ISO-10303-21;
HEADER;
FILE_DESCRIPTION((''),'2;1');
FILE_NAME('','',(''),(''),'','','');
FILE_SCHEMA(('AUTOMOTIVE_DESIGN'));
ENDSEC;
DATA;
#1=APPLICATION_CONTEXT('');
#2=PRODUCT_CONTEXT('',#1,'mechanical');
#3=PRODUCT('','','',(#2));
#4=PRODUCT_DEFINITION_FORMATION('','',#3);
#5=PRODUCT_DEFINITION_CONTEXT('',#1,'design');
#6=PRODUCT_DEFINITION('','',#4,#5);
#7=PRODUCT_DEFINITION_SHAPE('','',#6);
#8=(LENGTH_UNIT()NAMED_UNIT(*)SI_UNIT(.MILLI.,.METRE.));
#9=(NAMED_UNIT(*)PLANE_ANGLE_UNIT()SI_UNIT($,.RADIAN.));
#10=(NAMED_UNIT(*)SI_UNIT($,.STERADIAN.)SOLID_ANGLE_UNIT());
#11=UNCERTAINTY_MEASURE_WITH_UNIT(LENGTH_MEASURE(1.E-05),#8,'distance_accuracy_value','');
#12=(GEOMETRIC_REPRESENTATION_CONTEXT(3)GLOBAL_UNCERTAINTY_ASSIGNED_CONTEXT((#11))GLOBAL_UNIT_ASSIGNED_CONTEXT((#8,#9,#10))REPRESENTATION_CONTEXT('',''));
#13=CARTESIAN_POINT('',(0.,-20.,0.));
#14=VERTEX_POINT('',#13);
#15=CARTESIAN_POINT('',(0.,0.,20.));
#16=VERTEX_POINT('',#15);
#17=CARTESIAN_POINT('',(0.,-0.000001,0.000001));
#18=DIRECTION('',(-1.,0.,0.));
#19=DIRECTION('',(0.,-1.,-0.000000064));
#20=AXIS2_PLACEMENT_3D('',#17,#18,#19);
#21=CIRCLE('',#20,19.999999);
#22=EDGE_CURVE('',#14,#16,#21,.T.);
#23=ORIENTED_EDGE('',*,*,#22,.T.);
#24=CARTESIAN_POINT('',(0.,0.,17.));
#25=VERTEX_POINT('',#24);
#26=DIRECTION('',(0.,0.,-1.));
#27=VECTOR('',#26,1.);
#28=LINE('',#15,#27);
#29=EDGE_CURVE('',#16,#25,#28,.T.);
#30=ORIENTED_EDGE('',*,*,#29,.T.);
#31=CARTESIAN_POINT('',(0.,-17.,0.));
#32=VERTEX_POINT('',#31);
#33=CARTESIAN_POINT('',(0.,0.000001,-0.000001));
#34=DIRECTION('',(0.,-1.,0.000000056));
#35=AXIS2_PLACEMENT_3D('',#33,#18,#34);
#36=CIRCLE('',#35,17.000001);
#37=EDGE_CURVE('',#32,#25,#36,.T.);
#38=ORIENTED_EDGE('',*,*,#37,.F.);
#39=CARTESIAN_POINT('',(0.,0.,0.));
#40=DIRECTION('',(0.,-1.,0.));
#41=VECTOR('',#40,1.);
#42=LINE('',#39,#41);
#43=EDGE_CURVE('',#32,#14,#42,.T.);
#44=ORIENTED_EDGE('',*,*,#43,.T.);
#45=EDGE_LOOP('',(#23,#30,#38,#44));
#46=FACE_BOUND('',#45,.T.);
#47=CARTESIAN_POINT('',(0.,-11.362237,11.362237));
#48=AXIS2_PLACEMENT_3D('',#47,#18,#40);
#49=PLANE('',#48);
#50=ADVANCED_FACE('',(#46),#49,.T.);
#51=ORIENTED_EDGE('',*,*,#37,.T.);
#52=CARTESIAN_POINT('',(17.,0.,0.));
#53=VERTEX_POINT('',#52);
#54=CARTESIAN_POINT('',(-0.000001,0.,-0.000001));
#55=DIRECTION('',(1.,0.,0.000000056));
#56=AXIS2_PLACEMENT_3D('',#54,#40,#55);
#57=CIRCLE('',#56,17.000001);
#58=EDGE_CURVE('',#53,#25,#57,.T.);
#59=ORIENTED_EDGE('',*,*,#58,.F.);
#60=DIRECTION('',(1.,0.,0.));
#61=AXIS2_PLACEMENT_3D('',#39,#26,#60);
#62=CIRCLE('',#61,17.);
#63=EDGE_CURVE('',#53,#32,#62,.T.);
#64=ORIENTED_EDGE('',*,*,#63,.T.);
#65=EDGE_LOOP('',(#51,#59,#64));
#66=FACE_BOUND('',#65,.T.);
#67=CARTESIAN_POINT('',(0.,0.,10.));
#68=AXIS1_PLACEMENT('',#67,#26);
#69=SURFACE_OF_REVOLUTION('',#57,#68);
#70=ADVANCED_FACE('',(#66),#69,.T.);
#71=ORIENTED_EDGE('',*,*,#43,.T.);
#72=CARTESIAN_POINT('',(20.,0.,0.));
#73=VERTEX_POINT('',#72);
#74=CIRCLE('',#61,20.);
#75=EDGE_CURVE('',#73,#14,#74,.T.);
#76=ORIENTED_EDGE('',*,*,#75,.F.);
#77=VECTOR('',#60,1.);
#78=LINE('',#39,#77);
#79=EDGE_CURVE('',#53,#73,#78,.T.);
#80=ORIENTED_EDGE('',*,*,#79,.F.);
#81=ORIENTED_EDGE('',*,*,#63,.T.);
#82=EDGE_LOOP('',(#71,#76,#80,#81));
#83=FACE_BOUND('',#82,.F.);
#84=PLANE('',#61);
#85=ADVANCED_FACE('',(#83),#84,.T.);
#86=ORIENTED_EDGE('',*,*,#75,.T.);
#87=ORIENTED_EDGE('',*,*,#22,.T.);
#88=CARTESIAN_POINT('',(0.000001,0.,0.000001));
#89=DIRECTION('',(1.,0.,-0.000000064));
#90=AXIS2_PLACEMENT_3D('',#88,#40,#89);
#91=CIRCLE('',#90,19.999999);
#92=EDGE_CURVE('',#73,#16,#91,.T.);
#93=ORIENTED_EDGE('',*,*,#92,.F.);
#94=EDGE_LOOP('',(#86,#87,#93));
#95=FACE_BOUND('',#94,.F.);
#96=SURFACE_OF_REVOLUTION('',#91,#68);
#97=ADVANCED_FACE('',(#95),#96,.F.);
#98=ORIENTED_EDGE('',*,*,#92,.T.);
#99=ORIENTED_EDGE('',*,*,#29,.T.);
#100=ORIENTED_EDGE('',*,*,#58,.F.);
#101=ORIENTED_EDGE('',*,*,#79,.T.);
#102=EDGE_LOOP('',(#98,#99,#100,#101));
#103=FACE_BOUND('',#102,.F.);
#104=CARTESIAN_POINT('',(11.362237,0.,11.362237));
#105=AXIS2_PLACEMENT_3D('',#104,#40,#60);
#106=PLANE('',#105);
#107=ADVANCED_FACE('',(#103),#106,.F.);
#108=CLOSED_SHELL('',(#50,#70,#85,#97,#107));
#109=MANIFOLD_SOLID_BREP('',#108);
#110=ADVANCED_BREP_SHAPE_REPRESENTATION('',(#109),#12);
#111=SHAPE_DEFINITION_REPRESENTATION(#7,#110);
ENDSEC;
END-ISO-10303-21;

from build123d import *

# Parameters (mm, degrees)
F1_ANGLE = 90
F2_ANGLE = 90


with BuildPart() as f1:
    # F0 (on Front) → F1 (revolve)
    with BuildSketch(Plane.XZ):
        with BuildLine():
            Line((17, 0), (20, 0))
            ThreePointArc((20, 0), (14.142136, 14.142136), (0, 20))
            Line((0, 20), (0, 17))
            ThreePointArc((0, 17), (12.020815, 12.020815), (17, 0))
        make_face()
        with BuildLine():
            Line((0, 0), (17, 0))
            ThreePointArc((17, 0), (12.020815, 12.020815), (0, 17))
            Line((0, 17), (0, 0))
        make_face()
    revolve(axis=Axis((0, 0, 10), (0, 0, -1)), revolution_arc=F1_ANGLE)

    # F0 (on Front) → F2 (revolve, cut)
    with BuildSketch(Plane.XZ):
        with BuildLine():
            Line((0, 0), (17, 0))
            ThreePointArc((17, 0), (12.020815, 12.020815), (0, 17))
            Line((0, 17), (0, 0))
        make_face()
    revolve(axis=Axis((0, 0, 10), (0, 0, -1)), revolution_arc=F2_ANGLE, mode=Mode.SUBTRACT)


solid = f1.part
